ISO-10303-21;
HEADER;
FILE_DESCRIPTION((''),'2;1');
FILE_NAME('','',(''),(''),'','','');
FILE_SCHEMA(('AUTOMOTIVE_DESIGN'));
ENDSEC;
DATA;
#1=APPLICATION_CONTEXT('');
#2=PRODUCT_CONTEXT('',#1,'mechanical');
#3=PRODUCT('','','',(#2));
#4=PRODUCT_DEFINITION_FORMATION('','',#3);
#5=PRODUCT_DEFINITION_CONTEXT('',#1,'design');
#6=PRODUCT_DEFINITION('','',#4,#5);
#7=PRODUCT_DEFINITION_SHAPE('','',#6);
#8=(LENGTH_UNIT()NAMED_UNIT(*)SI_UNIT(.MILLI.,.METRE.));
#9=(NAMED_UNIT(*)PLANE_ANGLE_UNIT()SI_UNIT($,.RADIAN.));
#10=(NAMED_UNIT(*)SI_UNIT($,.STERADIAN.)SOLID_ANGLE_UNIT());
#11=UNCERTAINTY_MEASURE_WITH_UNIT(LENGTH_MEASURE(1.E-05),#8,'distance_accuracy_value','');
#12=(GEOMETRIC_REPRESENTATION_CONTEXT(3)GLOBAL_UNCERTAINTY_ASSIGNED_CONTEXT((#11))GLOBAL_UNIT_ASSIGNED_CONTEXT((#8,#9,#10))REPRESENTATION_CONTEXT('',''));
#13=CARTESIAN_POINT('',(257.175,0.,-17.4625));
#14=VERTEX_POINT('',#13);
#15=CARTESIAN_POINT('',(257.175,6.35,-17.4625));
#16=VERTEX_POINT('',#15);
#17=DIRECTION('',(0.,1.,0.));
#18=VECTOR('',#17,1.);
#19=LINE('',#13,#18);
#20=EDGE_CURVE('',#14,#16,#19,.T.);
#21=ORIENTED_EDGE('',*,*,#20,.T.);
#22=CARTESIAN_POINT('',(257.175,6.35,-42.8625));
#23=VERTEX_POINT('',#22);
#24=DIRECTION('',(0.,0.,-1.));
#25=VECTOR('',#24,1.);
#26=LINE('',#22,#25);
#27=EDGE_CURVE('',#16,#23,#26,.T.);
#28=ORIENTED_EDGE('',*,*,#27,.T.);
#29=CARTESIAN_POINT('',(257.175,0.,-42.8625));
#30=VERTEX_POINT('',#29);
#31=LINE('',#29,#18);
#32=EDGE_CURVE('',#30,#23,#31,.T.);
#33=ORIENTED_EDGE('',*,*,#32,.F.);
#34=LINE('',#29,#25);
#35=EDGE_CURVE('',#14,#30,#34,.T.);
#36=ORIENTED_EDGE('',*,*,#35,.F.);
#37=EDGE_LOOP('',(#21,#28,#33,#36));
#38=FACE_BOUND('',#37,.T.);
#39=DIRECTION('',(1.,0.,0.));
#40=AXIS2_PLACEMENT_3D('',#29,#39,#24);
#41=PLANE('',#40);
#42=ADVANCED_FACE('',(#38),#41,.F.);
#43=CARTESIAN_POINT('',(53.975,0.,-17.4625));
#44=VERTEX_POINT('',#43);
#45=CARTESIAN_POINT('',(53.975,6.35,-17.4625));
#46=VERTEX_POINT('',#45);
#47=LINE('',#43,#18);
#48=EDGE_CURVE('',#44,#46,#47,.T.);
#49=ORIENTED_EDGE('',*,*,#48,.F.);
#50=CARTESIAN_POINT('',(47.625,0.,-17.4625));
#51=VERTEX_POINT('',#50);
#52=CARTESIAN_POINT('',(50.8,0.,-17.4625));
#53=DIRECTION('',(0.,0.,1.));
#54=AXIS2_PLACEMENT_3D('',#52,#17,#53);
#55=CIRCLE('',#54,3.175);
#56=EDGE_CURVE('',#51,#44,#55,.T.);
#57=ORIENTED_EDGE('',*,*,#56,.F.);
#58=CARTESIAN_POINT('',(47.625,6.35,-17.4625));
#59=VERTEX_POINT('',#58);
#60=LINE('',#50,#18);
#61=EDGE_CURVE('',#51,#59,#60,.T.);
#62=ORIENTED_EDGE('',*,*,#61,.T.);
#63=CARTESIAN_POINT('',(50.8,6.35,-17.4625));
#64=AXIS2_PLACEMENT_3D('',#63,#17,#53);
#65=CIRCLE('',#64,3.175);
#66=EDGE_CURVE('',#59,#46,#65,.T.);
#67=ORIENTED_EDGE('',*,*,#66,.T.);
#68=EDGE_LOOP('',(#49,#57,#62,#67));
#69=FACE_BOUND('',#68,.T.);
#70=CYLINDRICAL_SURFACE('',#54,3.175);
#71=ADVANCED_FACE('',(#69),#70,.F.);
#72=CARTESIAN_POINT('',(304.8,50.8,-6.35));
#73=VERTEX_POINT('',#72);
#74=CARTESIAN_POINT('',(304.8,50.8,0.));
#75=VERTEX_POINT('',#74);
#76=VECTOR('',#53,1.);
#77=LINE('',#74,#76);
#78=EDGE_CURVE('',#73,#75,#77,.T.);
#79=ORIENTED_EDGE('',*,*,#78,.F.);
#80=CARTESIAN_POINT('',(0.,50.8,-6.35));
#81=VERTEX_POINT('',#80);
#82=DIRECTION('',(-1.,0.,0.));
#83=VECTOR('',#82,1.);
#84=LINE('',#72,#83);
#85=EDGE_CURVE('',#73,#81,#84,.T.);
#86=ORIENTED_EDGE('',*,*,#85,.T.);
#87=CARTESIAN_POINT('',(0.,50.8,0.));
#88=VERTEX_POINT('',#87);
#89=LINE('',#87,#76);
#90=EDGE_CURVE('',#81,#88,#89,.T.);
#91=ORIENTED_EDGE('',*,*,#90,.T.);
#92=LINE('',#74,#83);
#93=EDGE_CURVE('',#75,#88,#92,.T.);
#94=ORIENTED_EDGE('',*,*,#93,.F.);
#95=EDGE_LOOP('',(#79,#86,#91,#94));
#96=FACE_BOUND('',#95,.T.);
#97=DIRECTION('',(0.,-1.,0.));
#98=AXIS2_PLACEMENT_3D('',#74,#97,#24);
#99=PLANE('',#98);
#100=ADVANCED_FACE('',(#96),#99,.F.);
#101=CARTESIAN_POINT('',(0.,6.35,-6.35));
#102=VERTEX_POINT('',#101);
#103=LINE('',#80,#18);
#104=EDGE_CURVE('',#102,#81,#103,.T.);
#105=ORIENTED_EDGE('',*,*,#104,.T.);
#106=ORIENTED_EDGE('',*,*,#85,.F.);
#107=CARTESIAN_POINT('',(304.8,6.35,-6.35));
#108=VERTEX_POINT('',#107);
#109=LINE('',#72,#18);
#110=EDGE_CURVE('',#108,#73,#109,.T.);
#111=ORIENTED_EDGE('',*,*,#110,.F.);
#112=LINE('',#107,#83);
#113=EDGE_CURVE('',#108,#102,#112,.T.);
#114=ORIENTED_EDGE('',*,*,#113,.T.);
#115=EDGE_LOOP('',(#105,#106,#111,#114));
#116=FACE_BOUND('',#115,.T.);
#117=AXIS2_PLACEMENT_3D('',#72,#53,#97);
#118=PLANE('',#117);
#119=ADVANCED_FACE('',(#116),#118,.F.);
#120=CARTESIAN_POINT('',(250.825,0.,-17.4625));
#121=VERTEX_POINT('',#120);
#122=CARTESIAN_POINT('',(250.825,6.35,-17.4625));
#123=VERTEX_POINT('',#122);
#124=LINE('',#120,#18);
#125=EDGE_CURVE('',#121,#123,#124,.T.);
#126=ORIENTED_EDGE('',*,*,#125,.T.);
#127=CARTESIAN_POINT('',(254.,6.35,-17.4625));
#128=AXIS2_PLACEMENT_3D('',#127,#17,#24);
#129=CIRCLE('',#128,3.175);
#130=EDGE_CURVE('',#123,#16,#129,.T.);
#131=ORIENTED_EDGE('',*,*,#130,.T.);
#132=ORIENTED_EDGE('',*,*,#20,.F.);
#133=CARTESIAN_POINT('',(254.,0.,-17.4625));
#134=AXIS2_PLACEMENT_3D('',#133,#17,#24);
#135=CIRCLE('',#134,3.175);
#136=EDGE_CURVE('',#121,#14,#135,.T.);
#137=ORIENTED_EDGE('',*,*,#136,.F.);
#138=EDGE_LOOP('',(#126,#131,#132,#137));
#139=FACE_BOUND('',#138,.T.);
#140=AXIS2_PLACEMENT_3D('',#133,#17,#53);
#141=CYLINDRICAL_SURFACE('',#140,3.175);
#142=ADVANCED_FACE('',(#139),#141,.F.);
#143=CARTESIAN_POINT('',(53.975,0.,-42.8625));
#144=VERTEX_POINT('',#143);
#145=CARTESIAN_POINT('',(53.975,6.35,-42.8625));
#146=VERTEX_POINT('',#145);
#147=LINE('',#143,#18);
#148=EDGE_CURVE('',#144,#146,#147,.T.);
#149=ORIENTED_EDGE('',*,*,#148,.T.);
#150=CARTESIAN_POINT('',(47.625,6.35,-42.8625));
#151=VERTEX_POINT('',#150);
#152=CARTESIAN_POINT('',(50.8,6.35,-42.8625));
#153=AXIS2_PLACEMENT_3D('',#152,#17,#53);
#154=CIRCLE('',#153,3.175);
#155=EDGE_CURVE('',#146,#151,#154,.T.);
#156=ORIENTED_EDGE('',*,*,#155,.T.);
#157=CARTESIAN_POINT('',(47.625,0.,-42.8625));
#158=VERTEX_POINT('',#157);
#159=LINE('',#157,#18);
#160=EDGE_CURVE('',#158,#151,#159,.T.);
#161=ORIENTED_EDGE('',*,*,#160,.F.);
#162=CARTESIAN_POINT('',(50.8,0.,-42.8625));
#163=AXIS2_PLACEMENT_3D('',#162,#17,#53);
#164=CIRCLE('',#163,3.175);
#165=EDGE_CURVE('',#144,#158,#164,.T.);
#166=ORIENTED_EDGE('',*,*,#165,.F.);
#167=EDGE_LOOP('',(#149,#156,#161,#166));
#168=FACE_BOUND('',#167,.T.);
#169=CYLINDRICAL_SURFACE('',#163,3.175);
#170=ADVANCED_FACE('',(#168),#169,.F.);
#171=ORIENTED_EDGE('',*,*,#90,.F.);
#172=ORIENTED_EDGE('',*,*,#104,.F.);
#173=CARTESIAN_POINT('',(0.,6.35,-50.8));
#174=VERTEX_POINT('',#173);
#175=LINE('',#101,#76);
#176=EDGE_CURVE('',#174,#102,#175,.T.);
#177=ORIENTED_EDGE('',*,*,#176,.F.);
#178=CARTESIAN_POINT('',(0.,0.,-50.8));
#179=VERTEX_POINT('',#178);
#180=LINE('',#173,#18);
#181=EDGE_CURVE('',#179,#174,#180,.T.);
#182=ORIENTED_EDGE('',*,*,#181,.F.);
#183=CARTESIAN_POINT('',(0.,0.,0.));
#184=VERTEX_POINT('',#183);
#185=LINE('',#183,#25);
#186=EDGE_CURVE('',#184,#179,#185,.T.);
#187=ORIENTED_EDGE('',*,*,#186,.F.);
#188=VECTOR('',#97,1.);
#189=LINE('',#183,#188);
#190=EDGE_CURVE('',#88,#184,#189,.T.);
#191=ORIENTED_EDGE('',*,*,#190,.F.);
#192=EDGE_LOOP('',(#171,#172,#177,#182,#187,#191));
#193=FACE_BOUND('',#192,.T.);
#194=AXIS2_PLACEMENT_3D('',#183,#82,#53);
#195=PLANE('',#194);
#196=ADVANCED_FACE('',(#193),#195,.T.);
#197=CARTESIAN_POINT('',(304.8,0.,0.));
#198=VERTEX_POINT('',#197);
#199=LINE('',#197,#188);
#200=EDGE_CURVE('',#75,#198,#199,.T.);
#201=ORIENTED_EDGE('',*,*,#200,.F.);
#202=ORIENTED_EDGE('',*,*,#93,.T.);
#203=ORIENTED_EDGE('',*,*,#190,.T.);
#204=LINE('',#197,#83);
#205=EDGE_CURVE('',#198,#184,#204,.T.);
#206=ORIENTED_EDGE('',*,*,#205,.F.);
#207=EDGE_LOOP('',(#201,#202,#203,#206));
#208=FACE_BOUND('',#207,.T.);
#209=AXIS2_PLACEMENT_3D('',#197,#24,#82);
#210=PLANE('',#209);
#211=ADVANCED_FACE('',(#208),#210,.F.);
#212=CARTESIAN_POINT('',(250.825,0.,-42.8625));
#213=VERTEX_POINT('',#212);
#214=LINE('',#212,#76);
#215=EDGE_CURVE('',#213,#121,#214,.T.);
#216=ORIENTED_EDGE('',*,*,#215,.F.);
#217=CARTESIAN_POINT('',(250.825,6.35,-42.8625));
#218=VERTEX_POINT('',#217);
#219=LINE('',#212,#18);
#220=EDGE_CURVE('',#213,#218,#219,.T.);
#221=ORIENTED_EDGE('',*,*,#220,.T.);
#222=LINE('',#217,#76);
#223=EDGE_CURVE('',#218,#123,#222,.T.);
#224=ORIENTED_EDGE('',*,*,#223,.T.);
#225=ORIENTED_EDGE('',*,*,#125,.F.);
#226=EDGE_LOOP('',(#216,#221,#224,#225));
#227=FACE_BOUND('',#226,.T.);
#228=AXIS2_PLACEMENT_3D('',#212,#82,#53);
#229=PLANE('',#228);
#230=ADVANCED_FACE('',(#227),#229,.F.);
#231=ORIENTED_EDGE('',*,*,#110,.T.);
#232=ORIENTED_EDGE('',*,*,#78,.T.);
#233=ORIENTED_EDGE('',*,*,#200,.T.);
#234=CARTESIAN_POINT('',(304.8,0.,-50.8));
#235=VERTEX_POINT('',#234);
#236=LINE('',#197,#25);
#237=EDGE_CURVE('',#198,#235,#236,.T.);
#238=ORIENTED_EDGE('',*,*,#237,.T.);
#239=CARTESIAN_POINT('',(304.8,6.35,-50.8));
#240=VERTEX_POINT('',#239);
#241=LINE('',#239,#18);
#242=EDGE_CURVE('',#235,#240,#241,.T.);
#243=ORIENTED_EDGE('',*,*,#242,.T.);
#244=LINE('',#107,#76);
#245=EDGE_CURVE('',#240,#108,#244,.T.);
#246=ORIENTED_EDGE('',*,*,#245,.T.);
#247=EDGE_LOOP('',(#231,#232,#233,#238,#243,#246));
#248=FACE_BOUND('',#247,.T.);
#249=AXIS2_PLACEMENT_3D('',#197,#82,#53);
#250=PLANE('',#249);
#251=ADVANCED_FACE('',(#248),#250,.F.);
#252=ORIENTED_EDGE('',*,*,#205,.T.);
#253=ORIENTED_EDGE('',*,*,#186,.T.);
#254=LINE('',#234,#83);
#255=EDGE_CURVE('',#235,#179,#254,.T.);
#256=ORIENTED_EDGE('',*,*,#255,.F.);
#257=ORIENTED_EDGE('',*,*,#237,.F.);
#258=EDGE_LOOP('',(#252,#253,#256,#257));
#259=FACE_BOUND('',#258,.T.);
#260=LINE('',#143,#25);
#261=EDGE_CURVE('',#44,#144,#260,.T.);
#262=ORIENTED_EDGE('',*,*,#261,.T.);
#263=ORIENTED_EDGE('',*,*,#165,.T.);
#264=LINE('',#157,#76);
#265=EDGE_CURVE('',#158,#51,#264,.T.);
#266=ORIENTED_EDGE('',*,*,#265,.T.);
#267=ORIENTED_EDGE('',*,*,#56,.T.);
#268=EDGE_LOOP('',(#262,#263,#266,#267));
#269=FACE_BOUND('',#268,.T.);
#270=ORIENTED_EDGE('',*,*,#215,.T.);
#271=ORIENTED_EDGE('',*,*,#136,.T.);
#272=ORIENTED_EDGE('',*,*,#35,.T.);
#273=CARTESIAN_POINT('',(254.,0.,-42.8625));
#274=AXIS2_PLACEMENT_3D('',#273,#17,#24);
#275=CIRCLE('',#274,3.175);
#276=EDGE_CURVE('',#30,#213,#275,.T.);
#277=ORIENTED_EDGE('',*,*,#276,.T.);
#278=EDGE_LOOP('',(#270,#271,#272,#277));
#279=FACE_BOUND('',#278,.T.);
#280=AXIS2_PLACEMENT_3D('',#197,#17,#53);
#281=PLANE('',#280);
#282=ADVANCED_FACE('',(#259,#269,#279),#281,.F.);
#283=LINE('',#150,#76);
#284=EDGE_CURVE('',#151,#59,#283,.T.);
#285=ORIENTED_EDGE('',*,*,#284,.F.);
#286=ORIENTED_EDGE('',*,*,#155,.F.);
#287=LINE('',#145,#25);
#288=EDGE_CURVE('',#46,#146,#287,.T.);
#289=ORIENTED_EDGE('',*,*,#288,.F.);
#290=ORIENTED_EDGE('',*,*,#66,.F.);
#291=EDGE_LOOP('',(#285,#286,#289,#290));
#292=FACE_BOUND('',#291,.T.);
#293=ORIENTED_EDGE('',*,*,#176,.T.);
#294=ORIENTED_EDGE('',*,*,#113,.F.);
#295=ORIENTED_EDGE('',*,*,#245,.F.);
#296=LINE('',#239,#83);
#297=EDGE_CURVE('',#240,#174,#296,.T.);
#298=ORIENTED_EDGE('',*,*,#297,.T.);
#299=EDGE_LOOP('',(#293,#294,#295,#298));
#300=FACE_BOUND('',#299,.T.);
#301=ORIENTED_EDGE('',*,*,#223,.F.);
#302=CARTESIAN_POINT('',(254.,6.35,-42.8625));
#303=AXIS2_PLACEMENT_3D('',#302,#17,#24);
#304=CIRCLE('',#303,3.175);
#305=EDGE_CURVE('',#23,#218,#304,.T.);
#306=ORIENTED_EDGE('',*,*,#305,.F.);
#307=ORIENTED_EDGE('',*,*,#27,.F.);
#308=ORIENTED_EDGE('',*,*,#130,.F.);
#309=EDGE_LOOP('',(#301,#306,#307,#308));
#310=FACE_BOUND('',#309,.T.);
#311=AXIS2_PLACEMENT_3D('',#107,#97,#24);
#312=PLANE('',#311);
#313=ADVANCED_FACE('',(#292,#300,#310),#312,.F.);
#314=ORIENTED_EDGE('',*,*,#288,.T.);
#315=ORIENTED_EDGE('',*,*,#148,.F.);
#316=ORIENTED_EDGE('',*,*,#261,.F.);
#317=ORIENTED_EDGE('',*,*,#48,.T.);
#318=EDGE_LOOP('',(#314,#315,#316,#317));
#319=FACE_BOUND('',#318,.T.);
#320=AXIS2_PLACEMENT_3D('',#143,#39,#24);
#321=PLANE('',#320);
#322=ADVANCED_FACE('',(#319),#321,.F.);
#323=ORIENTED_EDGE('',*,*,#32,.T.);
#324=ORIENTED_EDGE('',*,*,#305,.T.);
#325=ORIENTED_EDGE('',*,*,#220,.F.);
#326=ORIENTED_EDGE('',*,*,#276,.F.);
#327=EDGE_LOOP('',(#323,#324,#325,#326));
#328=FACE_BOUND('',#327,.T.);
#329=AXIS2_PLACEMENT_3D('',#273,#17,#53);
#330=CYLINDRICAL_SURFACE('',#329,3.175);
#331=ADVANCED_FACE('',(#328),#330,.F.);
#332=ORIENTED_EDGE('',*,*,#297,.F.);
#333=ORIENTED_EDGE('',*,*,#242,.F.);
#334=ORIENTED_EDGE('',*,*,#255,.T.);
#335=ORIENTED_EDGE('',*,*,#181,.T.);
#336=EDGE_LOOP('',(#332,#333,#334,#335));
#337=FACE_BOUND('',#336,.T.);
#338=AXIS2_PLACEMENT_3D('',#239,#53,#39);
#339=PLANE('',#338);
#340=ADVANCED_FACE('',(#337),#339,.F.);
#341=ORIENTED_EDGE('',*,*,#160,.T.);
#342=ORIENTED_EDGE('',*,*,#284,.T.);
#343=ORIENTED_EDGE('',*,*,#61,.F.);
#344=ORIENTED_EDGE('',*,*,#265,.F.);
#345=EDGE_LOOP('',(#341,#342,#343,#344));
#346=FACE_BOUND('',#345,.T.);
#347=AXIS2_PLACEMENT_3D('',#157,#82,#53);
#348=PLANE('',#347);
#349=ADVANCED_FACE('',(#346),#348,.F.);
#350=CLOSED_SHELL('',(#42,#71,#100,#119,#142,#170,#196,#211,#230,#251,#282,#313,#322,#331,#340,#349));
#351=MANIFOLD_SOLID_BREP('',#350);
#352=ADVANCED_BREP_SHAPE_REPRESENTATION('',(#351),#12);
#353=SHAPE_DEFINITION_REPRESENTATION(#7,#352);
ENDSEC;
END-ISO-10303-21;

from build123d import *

# Parameters (mm, degrees)
BOSS_EXTRUDE1_DEPTH = 304.8
CUT_EXTRUDE1_DEPTH  = 313.185013253


with BuildPart() as part:
    # Sketch1 → Boss-Extrude1 (new body)
    with BuildSketch(Plane(origin=(0, 0, 0), x_dir=(0, 0, -1), z_dir=(1, 0, 0))):
        Polygon((0, 0), (50.8, 0), (50.8, 6.35), (6.35, 6.35), (6.35, 50.8), (0, 50.8), align=None)
    extrude(amount=BOSS_EXTRUDE1_DEPTH)

    # Sketch2 → Cut-Extrude1 (cut, through all)
    with BuildSketch(Plane(origin=(0, 6.35, 0), x_dir=(1, 0, 0), z_dir=(0, 1, 0))):
        with BuildLine():
            Line((53.975, 42.8625), (53.975, 17.4625))
            ThreePointArc((53.975, 17.4625), (50.8, 14.2875), (47.625, 17.4625))
            Line((47.625, 17.4625), (47.625, 42.8625))
            ThreePointArc((47.625, 42.8625), (50.8, 46.0375), (53.975, 42.8625))
        make_face()
        with BuildLine():
            Line((250.825, 42.8625), (250.825, 17.4625))
            ThreePointArc((250.825, 17.4625), (254, 14.2875), (257.175, 17.4625))
            Line((257.175, 17.4625), (257.175, 42.8625))
            ThreePointArc((257.175, 42.8625), (254, 46.0375), (250.825, 42.8625))
        make_face()
    extrude(amount=-CUT_EXTRUDE1_DEPTH, mode=Mode.SUBTRACT)


solid = part.part
